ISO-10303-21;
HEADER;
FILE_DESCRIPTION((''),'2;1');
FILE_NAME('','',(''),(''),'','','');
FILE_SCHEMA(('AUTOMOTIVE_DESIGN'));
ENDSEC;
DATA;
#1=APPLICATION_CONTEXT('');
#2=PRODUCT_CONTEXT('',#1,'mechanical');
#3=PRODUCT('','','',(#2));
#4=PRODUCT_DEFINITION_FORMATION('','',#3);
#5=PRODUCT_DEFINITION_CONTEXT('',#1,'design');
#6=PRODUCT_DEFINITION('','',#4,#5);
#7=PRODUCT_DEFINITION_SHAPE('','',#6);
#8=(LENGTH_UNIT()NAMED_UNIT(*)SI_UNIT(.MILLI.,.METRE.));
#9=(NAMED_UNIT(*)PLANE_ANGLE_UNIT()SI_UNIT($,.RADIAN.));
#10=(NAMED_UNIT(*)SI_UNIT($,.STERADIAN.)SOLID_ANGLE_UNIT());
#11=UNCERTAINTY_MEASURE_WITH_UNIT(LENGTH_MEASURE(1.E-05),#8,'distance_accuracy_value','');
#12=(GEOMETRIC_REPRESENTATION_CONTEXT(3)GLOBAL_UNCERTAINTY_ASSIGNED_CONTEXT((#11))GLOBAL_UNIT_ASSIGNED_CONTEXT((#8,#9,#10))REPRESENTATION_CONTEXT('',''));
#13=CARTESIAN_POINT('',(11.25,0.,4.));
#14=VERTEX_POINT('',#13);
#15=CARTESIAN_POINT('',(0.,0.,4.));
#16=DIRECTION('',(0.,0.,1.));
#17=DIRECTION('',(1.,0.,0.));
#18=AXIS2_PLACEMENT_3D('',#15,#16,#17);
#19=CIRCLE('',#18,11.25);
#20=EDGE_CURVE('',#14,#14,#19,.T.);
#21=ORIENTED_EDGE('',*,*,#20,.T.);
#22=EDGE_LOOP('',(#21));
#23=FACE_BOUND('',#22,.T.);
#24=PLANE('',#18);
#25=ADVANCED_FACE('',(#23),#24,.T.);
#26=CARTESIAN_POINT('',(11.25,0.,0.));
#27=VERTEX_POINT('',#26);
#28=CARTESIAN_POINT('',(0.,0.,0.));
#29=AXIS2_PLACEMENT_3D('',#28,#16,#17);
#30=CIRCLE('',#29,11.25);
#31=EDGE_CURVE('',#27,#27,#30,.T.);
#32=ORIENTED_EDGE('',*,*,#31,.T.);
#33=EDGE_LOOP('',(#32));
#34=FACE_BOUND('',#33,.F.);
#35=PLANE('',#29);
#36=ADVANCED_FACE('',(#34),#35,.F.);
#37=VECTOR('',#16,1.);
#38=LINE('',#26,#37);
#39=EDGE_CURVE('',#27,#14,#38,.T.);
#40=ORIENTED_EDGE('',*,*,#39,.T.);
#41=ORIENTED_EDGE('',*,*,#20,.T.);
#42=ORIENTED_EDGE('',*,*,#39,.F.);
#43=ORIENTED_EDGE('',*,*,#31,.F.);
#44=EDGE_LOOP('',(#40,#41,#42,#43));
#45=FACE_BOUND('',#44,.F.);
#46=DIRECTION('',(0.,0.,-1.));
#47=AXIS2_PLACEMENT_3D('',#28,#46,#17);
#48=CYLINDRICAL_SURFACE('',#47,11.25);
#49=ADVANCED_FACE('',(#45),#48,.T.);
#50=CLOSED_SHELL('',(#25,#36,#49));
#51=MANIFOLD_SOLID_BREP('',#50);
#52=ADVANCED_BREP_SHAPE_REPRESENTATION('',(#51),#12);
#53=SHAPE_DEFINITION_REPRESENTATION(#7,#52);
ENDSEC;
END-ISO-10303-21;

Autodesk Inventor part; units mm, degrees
ref_plane "YZ Plane" through (0, 0, 0) normal (1, 0, 0) x (0, 1, 0)
ref_plane "XZ Plane" through (0, 0, 0) normal (0, 1, 0) x (-1, 0, 0)
ref_plane "XY Plane" through (0, 0, 0) normal (0, 0, 1) x (1, 0, 0)
sketch "Sketch1" plane through (0, 0, 0) normal (0, 0, 1) x (1, 0, 0)
  circle A0 centre (0, 0) radius 11.25
  dimension "d0" = 22.5
  dimension "d0" = 22.5
extrude "Extrusion1" add sketch "Sketch1" along normal blind 4
properties part number "gear1"
